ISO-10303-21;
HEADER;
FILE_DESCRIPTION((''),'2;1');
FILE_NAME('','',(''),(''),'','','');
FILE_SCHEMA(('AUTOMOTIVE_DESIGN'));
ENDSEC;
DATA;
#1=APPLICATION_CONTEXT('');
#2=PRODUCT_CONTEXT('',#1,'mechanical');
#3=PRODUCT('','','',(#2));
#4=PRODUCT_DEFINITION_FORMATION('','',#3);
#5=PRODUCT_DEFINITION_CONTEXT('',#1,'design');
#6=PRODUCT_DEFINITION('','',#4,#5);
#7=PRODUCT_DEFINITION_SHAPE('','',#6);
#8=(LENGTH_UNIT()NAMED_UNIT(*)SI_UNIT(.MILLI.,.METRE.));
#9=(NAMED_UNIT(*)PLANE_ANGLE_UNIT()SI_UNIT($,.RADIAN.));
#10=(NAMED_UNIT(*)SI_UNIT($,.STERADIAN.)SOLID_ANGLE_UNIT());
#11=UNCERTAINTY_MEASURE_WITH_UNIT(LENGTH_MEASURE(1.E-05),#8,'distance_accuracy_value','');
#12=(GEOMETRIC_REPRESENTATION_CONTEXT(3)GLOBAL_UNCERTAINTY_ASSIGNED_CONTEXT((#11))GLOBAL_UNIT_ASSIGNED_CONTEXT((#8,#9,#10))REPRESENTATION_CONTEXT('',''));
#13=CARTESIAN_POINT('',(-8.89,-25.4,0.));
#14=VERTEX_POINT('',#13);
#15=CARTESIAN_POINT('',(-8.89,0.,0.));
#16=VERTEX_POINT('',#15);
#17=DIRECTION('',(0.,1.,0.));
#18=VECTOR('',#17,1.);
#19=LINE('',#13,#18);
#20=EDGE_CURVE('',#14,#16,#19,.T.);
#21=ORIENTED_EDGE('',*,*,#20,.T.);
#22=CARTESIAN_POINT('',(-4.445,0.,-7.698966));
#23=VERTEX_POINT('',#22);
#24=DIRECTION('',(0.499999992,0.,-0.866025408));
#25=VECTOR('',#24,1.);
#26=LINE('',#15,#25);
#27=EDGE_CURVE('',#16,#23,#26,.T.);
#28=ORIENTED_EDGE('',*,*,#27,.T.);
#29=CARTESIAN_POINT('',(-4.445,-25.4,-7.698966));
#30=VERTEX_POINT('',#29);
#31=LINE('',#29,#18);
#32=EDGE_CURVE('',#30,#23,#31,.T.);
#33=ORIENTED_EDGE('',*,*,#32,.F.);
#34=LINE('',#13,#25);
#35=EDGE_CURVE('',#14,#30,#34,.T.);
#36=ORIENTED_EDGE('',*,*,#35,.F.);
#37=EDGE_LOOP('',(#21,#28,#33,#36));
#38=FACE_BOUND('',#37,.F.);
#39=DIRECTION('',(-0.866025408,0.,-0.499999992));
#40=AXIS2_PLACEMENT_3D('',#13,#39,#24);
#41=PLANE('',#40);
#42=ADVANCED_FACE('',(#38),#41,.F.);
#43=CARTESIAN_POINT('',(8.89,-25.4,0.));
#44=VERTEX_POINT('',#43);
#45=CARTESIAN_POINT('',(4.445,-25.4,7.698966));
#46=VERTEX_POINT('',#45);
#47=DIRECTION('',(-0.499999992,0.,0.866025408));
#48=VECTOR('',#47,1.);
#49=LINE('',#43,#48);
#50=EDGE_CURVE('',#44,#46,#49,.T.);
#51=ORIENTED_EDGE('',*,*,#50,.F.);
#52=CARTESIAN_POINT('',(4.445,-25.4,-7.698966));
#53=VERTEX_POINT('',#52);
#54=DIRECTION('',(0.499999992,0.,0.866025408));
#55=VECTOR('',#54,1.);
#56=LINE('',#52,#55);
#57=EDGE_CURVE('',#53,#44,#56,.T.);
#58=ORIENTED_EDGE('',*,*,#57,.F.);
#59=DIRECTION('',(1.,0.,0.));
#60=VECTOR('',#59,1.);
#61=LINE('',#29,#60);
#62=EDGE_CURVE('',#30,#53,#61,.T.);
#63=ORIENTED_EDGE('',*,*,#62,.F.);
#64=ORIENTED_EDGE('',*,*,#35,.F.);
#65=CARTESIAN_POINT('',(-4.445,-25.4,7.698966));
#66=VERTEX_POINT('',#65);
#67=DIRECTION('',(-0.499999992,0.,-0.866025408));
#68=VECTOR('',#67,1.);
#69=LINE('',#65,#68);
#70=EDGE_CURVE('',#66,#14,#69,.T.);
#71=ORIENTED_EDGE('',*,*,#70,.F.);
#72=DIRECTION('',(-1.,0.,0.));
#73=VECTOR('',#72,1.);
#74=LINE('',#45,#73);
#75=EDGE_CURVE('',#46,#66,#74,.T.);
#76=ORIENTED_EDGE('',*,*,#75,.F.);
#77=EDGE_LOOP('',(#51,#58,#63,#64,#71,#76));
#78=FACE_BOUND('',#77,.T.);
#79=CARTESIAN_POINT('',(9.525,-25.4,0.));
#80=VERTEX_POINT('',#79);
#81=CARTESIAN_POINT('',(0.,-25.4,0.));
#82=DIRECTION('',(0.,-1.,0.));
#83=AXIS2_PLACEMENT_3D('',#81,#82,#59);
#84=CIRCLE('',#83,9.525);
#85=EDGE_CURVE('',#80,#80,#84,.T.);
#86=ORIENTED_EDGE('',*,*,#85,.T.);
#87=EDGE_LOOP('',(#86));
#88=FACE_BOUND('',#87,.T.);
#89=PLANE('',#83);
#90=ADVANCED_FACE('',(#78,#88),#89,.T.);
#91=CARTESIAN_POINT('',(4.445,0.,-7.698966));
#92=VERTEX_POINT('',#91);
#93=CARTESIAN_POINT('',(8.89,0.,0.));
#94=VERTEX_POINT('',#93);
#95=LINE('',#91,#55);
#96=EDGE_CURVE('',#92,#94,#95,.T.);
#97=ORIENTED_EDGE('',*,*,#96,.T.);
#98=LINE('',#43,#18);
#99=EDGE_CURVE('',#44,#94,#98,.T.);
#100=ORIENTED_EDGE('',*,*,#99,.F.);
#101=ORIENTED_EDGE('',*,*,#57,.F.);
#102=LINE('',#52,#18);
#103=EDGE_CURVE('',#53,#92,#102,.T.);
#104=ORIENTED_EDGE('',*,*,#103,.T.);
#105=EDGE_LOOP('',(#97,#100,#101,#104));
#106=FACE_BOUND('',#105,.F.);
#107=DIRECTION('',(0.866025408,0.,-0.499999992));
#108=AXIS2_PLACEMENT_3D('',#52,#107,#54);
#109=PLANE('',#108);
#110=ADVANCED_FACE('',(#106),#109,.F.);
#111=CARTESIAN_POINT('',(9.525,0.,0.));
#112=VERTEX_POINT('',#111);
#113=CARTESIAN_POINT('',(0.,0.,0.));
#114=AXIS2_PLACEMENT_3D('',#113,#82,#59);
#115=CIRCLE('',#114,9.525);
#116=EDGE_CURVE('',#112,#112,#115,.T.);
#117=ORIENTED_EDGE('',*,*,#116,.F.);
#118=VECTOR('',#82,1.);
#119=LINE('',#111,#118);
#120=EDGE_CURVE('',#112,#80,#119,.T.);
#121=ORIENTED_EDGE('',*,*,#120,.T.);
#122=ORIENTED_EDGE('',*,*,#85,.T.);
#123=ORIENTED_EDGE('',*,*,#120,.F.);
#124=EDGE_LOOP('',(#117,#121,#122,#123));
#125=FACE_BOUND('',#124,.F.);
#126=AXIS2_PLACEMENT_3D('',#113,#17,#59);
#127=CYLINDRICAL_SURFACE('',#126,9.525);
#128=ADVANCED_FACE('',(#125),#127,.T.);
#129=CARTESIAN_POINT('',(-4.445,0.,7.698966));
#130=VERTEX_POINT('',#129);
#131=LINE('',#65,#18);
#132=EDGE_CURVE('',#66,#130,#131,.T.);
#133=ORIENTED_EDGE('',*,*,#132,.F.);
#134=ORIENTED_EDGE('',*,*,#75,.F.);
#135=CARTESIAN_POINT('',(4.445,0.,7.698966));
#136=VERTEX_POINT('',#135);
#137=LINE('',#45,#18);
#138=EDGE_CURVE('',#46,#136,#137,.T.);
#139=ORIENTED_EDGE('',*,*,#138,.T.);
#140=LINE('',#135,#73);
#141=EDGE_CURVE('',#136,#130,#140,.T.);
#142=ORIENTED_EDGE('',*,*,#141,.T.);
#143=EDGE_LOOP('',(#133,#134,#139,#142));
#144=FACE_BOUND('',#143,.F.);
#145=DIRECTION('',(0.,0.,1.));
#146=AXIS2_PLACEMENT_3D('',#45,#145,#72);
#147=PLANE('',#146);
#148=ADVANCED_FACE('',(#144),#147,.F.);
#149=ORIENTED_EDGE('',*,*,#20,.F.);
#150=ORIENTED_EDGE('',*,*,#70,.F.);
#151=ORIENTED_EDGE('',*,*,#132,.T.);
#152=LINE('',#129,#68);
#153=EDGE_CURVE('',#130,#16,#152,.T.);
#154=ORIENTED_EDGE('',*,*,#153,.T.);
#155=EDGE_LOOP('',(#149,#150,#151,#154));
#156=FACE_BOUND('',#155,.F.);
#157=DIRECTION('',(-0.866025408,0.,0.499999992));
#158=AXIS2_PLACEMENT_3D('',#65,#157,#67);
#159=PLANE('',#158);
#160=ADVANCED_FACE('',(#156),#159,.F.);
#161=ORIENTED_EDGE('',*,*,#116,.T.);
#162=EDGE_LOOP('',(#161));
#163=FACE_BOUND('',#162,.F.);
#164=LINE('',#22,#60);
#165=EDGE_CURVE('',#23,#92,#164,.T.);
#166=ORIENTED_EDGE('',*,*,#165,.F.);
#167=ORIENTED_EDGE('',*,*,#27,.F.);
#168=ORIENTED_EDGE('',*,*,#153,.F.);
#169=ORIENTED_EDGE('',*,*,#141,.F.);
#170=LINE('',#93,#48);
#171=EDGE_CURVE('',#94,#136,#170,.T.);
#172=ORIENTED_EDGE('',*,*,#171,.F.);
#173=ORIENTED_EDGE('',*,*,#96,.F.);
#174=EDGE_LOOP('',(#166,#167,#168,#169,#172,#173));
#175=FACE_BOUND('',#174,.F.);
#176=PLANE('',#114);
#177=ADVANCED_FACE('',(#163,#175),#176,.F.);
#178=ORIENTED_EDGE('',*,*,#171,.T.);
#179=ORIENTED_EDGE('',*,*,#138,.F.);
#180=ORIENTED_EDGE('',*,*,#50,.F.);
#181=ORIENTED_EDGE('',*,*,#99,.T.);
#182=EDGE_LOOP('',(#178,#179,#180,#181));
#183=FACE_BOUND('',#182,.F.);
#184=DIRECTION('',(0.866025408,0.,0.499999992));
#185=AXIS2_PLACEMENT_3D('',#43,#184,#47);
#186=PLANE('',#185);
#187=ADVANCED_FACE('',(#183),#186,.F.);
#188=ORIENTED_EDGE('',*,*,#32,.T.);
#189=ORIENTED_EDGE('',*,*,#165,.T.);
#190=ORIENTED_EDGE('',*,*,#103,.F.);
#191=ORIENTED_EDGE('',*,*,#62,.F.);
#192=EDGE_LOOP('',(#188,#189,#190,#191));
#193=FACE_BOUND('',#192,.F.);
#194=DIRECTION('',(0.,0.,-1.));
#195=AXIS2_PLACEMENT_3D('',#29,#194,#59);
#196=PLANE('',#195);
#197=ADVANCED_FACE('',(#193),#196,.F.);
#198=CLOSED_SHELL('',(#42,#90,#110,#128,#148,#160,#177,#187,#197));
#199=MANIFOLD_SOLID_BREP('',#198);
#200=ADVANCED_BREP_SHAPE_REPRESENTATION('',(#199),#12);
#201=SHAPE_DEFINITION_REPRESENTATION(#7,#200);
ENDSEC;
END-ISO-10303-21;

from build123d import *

# Parameters (mm, degrees)
F0_R     = 9.525
F1_DEPTH = 25.4
F3_DEPTH = 25.401
F4_DEPTH = 11.0998
F6_DEPTH = 25.4


with BuildPart() as f1:
    # F0 (on Front) → F1 (new body)
    with BuildSketch(Plane.XZ):
        with Locations((-1e-06, -3e-06)):
            Circle(F0_R)
    extrude(amount=F1_DEPTH)

    # F2 (on Front) → F3 (cut, through all)
    with BuildSketch(Plane.XZ):
        with BuildLine():
            Line((-1.107965, 4.707283), (-4.835918, 4.707283))
            Line((-4.835918, 4.707283), (-4.835918, 0))
            ThreePointArc((-4.835918, 0), (-3.791051, 3.002339), (-1.107965, 4.707283))
        make_face()
    extrude(amount=F3_DEPTH, mode=Mode.SUBTRACT)

    # F2 (on Front) → F4 (cut)
    with BuildSketch(Plane.XZ):
        with BuildLine():
            Line((-1.107965, 4.707283), (-4.835918, 4.707283))
            Line((-4.835918, 4.707283), (-4.835918, 0))
            ThreePointArc((-4.835918, 0), (-3.791051, 3.002339), (-1.107965, 4.707283))
        make_face()
        with BuildLine():
            ThreePointArc((1.107965, 4.707283), (0, 4.835918), (-1.107965, 4.707283))
            Line((-1.107965, 4.707283), (1.107965, 4.707283))
        make_face()
        with BuildLine():
            ThreePointArc((-0.41918, -4.817717), (-3.564634, -3.267949), (-4.835918, 0))
            Line((-4.835918, 0), (-4.835918, -4.817717))
            Line((-4.835918, -4.817717), (-0.41918, -4.817717))
        make_face()
        with BuildLine():
            Line((4.689082, 4.707283), (1.107965, 4.707283))
            ThreePointArc((1.107965, 4.707283), (3.392231, 3.446574), (4.689082, 1.182631))
            Line((4.689082, 1.182631), (4.689082, 4.707283))
        make_face()
        with BuildLine():
            Line((0.41918, -4.817717), (-0.41918, -4.817717))
            ThreePointArc((-0.41918, -4.817717), (0, -4.835918), (0.41918, -4.817717))
        make_face()
        with BuildLine():
            ThreePointArc((4.835918, 0), (4.799069, 0.595856), (4.689082, 1.182631))
            Line((4.689082, 1.182631), (4.689082, -1.182631))
            ThreePointArc((4.689082, -1.182631), (4.799069, -0.595856), (4.835918, 0))
        make_face()
        with BuildLine():
            ThreePointArc((4.689082, -1.182631), (3.134812, -3.682263), (0.41918, -4.817717))
            Line((0.41918, -4.817717), (4.689082, -4.817717))
            Line((4.689082, -4.817717), (4.689082, -1.182631))
        make_face()
    extrude(amount=F4_DEPTH, mode=Mode.SUBTRACT)

    # F5 (on face) → F6 (cut)
    with BuildSketch(Plane.XZ.offset(25.4)):
        Polygon((4.445, 7.698966), (-4.445, 7.698966), (-8.89, 0), (-4.445, -7.698966), (4.445, -7.698966), (8.89, 0), align=None)
        with BuildLine():
            ThreePointArc((-1.107965, 4.707283), (-3.791051, 3.002339), (-4.835918, 0))
            Line((-4.835918, 0), (-4.835918, 4.707283))
            Line((-4.835918, 4.707283), (-1.107965, 4.707283))
        make_face(mode=Mode.SUBTRACT)
    extrude(amount=-F6_DEPTH, mode=Mode.SUBTRACT)


solid = f1.part
